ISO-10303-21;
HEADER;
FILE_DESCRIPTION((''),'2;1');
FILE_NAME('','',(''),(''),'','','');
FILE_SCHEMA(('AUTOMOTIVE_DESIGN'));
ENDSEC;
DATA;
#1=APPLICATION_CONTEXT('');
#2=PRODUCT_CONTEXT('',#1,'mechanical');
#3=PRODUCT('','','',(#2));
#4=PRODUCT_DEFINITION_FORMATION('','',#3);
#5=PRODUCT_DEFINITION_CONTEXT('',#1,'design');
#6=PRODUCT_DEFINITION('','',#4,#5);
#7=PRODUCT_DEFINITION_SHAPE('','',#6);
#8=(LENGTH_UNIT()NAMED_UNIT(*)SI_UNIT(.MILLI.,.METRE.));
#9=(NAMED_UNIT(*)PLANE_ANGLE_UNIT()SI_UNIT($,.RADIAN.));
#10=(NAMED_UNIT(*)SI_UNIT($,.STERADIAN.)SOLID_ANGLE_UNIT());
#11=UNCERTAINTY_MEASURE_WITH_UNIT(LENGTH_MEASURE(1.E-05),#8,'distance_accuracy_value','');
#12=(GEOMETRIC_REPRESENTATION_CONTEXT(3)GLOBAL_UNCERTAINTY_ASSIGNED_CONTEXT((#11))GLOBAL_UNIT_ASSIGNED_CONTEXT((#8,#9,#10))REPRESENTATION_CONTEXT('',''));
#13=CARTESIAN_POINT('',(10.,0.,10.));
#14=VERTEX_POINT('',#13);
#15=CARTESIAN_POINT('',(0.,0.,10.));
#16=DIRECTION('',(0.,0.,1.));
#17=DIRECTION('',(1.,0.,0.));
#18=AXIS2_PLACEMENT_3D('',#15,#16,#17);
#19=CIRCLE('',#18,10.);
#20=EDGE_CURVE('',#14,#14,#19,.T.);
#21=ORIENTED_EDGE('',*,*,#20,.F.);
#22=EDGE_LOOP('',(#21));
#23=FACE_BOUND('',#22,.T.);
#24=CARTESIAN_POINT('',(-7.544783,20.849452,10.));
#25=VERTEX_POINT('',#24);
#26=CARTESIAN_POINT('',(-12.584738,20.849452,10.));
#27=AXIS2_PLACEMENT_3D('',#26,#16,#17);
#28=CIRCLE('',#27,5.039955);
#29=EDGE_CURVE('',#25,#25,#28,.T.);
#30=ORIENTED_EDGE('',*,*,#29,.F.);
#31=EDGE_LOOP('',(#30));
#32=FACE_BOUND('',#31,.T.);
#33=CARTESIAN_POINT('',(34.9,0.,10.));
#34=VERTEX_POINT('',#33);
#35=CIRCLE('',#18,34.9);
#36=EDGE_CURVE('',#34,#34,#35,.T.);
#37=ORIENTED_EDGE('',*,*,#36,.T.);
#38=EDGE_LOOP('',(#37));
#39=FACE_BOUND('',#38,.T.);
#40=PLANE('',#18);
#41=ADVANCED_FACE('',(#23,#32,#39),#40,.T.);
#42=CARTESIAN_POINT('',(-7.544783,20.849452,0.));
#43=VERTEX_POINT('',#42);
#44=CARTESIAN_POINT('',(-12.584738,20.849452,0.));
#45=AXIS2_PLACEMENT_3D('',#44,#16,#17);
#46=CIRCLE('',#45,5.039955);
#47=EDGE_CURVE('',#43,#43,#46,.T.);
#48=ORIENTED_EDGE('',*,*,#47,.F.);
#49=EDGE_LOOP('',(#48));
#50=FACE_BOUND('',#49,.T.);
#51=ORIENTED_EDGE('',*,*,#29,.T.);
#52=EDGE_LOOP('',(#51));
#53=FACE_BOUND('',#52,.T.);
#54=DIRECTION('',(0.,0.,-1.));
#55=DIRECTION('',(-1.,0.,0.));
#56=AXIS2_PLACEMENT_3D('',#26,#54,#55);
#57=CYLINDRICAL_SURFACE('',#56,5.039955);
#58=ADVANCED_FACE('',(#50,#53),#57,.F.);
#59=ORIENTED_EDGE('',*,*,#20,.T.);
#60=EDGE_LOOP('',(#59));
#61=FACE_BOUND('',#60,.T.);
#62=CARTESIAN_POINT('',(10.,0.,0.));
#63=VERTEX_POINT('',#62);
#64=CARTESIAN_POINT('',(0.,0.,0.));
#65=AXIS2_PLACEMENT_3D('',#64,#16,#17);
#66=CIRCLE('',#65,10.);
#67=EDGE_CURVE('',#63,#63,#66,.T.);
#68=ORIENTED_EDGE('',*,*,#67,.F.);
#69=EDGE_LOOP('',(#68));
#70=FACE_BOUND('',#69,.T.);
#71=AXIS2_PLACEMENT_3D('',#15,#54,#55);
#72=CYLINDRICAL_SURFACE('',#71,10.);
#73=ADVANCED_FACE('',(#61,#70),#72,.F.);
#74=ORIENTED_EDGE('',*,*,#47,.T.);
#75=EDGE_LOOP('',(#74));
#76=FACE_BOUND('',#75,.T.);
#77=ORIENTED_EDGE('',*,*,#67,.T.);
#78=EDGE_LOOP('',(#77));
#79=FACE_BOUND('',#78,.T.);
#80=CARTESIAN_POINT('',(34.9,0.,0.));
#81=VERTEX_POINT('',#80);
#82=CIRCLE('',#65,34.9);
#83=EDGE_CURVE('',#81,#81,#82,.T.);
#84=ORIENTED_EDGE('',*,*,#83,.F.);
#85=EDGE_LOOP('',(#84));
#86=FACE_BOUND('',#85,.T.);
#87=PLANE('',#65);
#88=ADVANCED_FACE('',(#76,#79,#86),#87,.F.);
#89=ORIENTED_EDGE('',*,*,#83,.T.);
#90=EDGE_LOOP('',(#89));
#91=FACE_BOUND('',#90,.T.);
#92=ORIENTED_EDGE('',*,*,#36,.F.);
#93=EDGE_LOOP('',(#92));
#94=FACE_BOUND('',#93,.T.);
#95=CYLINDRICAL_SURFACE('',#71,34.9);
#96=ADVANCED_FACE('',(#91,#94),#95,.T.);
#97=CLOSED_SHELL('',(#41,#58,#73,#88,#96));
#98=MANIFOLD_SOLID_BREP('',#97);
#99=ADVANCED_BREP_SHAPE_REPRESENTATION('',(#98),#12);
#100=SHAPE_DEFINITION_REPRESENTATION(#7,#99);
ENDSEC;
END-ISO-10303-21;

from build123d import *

# Parameters (mm, degrees)
SKETCH_1_R      = 34.9
SKETCH_1_R_2    = 10
SKETCH_1_R_3    = 5.039955202
EXTRUDE_1_DEPTH = 10


with BuildPart() as part:
    # ｽｹｯﾁ1 → ﾎﾞｽ - 押し出し1 (new body)
    with BuildSketch(Plane.XY):
        Circle(SKETCH_1_R)
        Circle(SKETCH_1_R_2, mode=Mode.SUBTRACT)
        with Locations((-12.584738316, 20.849452224)):
            Circle(SKETCH_1_R_3, mode=Mode.SUBTRACT)
    extrude(amount=EXTRUDE_1_DEPTH)


solid = part.part
